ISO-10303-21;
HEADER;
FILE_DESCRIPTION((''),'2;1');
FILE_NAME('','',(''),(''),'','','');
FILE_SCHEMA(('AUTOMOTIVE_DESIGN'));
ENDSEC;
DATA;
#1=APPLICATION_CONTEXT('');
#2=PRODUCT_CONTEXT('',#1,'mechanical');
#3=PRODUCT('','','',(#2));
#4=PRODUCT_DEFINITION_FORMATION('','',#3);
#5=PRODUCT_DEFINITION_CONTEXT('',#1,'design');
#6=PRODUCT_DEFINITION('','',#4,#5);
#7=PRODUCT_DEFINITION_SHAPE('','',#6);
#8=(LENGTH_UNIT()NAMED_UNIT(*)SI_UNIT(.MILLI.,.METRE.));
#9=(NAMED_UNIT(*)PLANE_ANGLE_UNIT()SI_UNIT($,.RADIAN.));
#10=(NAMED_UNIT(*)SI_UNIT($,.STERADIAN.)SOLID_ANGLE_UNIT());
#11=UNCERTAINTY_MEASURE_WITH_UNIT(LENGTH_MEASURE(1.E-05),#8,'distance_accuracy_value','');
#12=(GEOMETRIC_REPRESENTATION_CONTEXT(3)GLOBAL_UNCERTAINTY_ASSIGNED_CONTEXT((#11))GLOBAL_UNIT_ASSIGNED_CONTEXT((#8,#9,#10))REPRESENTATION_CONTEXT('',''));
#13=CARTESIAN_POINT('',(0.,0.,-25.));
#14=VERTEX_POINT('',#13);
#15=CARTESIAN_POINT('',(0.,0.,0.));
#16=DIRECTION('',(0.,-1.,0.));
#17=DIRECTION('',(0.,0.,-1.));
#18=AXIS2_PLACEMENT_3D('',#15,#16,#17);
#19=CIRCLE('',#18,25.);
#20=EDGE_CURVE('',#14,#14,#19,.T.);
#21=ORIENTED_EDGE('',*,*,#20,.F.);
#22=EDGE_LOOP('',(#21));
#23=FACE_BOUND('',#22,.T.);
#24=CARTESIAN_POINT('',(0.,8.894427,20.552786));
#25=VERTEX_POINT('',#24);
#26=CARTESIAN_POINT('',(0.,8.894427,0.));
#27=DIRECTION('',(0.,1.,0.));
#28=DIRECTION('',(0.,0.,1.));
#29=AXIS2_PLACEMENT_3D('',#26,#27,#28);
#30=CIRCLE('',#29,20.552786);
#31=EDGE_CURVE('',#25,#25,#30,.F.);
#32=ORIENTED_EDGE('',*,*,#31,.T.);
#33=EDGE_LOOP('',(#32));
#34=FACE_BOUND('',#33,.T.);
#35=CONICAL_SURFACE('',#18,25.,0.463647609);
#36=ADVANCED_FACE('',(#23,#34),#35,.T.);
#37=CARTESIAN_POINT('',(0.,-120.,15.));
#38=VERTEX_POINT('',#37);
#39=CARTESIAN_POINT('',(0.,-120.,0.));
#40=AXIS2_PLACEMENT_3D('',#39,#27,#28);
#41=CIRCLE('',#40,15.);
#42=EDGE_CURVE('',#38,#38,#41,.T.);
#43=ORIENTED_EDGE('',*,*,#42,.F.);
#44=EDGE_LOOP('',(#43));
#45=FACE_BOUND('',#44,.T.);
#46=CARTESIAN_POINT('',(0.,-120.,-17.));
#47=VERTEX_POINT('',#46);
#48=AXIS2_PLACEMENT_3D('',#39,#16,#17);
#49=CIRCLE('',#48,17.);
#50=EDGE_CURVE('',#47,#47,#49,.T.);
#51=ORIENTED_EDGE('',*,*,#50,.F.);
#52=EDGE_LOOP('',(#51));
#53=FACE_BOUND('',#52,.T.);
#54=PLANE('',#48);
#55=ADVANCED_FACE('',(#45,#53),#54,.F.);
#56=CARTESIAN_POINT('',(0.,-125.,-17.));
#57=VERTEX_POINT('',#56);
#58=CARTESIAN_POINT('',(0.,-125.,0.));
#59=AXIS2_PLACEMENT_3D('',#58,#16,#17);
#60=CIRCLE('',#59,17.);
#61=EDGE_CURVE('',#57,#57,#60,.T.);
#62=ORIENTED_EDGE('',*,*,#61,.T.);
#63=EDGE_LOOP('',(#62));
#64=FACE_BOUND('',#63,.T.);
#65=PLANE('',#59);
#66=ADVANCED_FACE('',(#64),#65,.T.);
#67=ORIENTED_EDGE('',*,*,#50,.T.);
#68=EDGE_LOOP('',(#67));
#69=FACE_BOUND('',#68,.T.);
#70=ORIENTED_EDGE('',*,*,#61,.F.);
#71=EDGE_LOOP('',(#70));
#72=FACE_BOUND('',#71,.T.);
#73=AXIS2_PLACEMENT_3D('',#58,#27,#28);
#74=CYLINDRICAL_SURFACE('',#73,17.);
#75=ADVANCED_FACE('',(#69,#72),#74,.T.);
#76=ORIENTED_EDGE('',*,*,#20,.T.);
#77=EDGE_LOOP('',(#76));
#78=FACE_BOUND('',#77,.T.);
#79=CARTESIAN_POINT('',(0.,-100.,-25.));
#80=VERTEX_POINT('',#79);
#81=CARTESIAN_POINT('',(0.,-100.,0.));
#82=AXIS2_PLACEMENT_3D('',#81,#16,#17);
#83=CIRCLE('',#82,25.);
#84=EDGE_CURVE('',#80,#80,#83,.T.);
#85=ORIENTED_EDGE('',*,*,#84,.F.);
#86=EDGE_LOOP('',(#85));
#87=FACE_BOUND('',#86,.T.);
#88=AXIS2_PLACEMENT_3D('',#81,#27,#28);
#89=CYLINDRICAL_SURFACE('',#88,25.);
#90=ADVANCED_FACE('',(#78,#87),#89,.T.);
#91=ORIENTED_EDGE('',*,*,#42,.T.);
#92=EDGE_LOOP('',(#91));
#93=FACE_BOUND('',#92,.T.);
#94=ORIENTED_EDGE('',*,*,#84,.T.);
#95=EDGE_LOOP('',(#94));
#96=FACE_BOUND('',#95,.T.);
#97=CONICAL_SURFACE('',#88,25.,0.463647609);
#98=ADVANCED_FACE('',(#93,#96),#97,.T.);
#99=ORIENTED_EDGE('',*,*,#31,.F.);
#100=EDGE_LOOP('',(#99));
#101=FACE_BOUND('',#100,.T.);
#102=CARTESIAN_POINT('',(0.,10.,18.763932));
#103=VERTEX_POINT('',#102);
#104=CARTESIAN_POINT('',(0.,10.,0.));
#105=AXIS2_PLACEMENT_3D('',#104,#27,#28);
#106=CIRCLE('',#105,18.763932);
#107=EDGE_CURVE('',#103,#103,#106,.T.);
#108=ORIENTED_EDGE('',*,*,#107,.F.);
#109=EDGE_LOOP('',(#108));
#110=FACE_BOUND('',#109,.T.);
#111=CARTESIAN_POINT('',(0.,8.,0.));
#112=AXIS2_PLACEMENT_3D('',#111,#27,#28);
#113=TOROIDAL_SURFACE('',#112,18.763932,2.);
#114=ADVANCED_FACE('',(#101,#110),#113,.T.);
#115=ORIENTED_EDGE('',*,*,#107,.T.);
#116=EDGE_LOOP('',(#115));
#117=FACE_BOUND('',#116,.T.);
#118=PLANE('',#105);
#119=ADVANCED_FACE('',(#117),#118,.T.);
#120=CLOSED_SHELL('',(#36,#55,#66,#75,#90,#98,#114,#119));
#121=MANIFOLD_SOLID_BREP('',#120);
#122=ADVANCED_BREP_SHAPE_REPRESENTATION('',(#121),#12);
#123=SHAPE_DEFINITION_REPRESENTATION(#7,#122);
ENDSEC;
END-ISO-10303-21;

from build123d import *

# Parameters (mm, degrees)
SKETCH_3_R      = 25
EXTRUDE_2_DEPTH = 100
SKETCH_6_R      = 17
EXTRUDE_3_DEPTH = 5
FILLET_1_R      = 2


with BuildPart() as part:
    # 草图2 → 旋转1 (revolve)
    with BuildSketch(Plane(origin=(0, 0, 0), x_dir=(0, 0, -1), z_dir=(1, 0, 0))):
        Polygon((0, 0), (25, 0), (20, 10), (0, 10), align=None)
    revolve(axis=Axis((0, 0, 0), (0, 1, 0)))

    # 草图3 → 凸台-拉伸2 (add)
    with BuildSketch(Plane(origin=(0, 0, 0), x_dir=(-1, 0, 0), z_dir=(0, -1, 0))):
        Circle(SKETCH_3_R)
    extrude(amount=EXTRUDE_2_DEPTH)

    # 草图5 → 旋转2 (revolve)
    with BuildSketch(Plane(origin=(0, 0, 0), x_dir=(0, 0, -1), z_dir=(1, 0, 0))):
        Polygon((-25, -100), (0, -100), (0, -120), (-15, -120), align=None)
    revolve(axis=Axis((0, -100, 0), (0, -1, 0)))

    # 草图6 → 凸台-拉伸3 (add)
    with BuildSketch(Plane(origin=(0, -120, 0), x_dir=(-1, 0, 0), z_dir=(0, -1, 0))):
        Circle(SKETCH_6_R)
    extrude(amount=EXTRUDE_3_DEPTH)

    # 圆角1
    fillet_1_edges = [part.edges().sort_by_distance(p)[0] for p in [
        (0, 10, 20),
    ]]
    fillet(fillet_1_edges, radius=FILLET_1_R)


solid = part.part
